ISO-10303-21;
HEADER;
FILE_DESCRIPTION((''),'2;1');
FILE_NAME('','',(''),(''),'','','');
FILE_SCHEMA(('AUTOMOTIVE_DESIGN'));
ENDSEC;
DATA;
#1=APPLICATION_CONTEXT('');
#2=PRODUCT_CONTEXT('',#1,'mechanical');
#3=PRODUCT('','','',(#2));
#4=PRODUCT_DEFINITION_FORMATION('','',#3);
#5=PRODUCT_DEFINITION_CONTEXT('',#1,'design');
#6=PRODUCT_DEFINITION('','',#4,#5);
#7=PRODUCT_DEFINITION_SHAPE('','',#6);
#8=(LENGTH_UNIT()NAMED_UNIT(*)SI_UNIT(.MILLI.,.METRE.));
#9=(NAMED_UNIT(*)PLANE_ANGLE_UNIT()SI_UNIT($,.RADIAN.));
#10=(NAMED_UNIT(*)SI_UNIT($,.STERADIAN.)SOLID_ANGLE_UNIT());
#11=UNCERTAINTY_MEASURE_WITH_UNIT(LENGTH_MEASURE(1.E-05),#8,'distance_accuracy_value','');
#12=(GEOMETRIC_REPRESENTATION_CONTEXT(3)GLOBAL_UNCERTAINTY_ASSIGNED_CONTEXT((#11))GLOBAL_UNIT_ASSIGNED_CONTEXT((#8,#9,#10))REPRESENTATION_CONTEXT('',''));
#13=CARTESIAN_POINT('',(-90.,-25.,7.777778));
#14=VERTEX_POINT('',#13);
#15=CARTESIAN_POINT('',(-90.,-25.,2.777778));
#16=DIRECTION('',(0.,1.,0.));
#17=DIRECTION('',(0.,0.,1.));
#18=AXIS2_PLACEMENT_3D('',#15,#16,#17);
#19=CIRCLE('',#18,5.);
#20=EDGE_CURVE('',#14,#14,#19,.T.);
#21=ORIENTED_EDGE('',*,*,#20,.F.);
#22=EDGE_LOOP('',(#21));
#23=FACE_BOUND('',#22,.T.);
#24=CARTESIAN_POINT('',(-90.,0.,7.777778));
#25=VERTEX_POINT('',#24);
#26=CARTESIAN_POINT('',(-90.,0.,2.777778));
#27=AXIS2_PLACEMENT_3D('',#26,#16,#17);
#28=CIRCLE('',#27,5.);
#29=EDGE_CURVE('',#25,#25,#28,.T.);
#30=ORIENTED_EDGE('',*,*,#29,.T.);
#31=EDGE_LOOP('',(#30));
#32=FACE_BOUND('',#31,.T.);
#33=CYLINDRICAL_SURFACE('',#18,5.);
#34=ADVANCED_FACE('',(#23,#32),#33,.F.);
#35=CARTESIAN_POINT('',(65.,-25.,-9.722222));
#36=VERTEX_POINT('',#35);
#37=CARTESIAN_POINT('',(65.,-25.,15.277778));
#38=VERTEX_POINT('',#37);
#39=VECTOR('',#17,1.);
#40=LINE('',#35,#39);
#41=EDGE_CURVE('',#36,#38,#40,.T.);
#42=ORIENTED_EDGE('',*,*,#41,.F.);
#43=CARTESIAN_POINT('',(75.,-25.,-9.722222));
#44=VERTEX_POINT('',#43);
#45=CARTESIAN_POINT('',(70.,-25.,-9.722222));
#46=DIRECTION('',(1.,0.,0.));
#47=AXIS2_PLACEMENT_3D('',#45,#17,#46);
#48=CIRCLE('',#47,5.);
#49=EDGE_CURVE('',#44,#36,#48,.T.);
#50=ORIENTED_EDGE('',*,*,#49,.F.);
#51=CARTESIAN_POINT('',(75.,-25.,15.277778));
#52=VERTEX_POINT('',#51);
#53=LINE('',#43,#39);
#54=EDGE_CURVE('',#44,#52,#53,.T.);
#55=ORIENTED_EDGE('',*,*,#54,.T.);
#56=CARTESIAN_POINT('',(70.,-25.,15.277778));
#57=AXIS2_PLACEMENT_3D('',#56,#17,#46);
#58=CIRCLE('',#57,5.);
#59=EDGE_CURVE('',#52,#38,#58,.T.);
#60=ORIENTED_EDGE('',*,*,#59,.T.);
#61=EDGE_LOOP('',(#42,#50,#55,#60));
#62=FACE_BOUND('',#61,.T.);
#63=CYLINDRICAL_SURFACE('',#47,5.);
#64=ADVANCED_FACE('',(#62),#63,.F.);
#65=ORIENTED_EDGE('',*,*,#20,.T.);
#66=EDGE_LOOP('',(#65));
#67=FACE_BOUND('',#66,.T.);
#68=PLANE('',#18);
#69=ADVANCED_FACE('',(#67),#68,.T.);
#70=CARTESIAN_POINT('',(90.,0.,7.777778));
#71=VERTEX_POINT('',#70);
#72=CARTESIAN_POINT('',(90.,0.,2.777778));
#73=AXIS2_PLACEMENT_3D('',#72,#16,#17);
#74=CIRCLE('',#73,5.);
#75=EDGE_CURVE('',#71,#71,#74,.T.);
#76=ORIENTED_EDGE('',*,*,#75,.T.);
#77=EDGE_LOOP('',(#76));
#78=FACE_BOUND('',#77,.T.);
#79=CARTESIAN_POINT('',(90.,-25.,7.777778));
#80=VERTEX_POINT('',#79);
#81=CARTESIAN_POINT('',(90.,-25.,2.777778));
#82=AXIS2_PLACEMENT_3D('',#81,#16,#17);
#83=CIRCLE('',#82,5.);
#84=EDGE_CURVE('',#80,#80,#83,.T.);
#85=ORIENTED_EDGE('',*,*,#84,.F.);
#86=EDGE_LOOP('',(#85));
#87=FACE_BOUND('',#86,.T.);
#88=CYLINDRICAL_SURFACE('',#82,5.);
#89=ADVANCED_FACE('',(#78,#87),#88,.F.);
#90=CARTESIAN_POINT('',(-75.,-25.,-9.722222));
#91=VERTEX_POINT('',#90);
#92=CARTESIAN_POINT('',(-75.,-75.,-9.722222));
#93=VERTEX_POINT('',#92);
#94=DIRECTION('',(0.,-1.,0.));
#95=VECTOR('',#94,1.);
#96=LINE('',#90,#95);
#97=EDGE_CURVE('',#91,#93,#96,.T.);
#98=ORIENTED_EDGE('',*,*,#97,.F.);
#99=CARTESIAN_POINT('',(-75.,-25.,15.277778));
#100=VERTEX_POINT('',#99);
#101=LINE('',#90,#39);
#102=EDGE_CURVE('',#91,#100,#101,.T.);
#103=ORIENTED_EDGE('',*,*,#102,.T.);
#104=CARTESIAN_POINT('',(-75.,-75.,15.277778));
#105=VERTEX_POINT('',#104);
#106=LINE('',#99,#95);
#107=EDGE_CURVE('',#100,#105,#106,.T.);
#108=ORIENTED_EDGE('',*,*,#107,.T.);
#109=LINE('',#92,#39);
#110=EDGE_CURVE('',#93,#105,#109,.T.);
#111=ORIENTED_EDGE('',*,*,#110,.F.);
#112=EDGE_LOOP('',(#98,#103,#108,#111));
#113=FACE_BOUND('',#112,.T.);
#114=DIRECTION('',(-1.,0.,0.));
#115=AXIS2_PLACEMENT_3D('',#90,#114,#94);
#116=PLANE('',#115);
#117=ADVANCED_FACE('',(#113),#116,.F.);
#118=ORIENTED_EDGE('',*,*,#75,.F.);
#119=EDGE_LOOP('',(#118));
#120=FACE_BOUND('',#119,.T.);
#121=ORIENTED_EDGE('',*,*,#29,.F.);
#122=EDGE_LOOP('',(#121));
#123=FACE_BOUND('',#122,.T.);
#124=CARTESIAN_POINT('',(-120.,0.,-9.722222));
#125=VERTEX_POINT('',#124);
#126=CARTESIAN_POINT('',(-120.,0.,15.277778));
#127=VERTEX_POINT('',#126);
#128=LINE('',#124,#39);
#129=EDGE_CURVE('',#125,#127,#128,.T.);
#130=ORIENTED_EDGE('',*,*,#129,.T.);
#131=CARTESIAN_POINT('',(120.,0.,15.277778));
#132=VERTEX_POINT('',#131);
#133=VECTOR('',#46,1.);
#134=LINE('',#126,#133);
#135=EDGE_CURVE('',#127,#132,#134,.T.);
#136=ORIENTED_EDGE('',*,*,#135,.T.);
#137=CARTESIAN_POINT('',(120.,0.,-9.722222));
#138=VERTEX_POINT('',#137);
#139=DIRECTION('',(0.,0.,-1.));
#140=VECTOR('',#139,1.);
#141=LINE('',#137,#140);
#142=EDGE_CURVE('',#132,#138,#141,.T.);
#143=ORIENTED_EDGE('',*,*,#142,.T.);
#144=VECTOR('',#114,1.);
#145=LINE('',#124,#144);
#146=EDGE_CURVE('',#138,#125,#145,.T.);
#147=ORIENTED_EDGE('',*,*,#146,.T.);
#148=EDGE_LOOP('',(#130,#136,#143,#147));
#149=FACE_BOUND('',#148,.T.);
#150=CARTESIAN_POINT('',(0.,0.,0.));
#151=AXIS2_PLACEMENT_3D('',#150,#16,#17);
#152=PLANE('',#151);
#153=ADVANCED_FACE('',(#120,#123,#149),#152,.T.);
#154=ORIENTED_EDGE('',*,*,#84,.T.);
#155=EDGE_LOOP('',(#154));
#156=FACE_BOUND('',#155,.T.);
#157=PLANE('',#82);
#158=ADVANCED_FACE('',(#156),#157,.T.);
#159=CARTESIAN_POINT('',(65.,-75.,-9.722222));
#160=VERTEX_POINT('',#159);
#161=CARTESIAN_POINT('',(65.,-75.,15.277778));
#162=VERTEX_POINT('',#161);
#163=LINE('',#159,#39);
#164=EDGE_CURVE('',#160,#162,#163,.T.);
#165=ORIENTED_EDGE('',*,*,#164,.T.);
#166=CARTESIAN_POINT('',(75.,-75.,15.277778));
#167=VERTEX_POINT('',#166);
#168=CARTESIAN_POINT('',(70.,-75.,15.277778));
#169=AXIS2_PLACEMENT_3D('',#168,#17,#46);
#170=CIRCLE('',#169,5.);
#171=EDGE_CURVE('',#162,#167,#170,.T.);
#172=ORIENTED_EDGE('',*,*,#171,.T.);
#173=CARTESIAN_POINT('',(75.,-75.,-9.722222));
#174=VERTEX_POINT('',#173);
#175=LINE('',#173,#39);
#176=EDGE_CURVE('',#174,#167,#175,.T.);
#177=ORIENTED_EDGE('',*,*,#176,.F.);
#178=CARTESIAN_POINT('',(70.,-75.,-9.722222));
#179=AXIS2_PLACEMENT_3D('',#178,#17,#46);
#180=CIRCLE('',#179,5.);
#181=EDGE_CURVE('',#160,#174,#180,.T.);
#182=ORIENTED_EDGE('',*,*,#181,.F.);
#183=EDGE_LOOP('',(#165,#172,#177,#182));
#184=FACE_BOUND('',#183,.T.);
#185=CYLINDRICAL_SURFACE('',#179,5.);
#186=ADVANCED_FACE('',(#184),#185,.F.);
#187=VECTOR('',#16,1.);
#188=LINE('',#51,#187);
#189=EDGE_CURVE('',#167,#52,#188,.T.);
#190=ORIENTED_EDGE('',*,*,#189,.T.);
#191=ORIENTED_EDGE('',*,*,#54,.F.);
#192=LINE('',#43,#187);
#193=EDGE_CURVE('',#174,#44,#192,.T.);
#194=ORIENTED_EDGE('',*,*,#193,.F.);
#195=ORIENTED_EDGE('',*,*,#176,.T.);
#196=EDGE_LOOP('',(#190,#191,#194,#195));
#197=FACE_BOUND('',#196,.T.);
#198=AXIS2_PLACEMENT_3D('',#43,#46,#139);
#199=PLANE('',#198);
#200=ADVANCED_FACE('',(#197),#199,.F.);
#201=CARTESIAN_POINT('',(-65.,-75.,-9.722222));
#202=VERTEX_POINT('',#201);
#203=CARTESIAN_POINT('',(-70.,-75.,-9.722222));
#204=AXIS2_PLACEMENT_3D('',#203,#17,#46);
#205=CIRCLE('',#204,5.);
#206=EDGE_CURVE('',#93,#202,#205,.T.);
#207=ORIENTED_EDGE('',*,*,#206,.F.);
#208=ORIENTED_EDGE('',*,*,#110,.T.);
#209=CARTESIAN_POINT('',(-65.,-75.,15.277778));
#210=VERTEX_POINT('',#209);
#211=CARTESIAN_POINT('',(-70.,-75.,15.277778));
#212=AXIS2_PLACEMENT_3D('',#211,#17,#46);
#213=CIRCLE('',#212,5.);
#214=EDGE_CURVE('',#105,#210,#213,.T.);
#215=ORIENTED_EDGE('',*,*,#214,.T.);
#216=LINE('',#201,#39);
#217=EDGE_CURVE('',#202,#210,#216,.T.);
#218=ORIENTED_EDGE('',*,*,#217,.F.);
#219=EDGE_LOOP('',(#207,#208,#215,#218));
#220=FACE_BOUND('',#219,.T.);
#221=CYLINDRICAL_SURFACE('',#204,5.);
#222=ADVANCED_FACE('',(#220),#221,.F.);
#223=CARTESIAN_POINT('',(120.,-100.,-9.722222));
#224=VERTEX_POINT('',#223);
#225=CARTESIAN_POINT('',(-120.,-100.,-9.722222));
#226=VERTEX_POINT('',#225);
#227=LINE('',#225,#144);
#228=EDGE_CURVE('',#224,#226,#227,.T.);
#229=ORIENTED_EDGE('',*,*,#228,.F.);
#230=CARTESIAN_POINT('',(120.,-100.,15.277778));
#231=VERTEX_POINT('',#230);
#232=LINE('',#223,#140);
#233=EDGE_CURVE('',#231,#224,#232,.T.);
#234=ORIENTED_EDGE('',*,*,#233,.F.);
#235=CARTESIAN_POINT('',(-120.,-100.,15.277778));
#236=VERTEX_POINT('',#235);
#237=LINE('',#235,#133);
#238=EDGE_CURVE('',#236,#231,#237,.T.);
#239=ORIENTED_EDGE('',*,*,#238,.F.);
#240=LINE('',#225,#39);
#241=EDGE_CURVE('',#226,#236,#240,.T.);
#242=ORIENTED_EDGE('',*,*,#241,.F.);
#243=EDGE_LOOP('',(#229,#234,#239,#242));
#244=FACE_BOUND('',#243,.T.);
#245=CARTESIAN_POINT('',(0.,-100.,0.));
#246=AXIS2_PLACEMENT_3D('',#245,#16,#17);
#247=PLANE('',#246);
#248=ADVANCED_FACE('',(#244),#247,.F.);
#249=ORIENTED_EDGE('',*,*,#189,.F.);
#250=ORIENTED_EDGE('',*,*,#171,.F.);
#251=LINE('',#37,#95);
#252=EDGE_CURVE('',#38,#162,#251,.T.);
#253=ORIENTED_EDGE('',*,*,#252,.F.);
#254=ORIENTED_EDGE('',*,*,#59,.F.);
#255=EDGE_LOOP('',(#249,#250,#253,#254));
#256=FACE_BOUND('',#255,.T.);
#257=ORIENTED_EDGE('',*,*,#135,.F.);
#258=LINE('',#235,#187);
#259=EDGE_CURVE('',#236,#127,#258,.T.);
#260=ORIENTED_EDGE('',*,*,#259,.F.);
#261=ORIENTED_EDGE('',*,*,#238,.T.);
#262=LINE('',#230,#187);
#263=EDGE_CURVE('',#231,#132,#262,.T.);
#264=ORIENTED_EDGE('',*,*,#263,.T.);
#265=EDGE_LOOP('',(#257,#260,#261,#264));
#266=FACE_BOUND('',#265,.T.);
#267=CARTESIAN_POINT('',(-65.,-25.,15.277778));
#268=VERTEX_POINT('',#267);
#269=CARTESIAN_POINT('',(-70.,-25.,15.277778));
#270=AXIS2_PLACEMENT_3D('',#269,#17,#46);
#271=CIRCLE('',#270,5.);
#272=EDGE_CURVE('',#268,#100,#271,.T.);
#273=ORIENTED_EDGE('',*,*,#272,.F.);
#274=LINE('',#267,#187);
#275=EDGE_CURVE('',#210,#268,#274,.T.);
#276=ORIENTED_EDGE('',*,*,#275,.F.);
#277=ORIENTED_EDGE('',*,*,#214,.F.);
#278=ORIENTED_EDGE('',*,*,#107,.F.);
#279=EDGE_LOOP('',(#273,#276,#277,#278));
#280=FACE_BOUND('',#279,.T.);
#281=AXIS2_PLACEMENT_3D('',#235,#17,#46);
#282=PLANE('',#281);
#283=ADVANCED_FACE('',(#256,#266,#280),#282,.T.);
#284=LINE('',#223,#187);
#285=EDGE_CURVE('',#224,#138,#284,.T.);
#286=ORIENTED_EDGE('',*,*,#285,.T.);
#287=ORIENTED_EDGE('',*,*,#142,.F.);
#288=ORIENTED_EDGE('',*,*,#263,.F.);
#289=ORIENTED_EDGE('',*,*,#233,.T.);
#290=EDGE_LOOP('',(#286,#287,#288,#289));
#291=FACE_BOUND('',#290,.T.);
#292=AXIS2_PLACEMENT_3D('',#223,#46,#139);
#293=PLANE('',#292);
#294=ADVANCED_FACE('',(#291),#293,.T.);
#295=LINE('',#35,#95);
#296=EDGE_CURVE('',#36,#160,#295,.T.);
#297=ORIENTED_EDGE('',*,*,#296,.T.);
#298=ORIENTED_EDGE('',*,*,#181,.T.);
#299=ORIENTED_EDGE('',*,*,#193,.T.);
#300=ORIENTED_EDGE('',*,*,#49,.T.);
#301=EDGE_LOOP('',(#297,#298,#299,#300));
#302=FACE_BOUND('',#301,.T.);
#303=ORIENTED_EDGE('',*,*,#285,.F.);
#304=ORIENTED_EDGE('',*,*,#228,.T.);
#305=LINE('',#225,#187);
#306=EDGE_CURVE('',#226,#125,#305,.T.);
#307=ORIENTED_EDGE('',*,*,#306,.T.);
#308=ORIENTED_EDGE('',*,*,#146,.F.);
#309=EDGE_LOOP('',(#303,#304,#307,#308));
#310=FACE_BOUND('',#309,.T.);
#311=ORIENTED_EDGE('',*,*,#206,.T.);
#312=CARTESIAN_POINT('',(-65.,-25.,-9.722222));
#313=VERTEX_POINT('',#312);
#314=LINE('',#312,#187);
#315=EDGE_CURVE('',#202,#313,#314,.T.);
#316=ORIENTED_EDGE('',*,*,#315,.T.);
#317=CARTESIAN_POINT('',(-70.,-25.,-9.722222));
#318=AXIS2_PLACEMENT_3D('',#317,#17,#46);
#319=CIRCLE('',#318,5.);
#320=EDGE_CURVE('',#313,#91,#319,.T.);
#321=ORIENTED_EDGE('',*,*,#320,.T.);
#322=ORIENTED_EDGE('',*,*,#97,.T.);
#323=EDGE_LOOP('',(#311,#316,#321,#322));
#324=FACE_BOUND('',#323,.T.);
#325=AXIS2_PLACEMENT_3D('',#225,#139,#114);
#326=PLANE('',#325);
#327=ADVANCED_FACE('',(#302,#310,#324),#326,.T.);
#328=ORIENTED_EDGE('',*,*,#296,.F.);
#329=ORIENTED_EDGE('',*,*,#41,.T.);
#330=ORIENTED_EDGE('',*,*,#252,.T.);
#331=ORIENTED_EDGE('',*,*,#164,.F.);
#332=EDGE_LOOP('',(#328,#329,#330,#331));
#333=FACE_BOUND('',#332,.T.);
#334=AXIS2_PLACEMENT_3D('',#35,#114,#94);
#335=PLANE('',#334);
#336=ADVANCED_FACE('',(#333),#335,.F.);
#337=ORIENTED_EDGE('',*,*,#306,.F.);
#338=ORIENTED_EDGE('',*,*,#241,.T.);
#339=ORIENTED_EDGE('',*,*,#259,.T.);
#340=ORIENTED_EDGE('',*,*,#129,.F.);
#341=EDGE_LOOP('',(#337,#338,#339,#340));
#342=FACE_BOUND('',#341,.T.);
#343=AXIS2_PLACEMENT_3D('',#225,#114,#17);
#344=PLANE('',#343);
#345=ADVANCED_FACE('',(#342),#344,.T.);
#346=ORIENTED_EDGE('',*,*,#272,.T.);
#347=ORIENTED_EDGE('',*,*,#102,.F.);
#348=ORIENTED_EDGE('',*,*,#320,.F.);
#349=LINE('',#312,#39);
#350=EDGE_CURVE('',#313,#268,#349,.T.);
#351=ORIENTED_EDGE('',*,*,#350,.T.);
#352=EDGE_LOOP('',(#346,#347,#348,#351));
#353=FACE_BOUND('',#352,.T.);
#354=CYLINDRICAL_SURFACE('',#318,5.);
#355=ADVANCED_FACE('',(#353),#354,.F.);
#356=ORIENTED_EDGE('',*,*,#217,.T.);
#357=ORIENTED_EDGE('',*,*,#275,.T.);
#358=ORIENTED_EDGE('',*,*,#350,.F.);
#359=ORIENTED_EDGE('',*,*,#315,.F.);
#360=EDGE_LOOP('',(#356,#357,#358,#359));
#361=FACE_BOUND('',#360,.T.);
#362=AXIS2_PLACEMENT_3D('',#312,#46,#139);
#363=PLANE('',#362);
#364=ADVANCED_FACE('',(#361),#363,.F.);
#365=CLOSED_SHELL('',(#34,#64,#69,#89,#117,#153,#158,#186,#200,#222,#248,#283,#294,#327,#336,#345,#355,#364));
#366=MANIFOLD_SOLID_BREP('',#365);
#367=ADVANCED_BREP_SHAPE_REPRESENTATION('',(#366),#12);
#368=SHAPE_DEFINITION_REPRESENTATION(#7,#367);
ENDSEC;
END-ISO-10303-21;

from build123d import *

# Parameters (mm, degrees)
CROQUIS1_W              = 240
CROQUIS1_H              = 25
SALIENTE_EXTRUIR1_DEPTH = 100
CROQUIS3_R              = 5
CORTAR_EXTRUIR1_DEPTH   = 25
CORTAR_EXTRUIR2_DEPTH   = 25


with BuildPart() as part:
    # Croquis1 → Saliente-Extruir1 (new body)
    with BuildSketch(Plane(origin=(0, 0, 0), x_dir=(1, 0, 0), z_dir=(0, 1, 0))):
        with Locations((0, -2.777777778)):
            Rectangle(CROQUIS1_W, CROQUIS1_H)
    extrude(amount=-SALIENTE_EXTRUIR1_DEPTH)

    # Croquis3 → Cortar-Extruir1 (cut)
    with BuildSketch(Plane(origin=(0, 0, 0), x_dir=(1, 0, 0), z_dir=(0, 1, 0))):
        with Locations((-90, -2.777777778)):
            Circle(CROQUIS3_R)
        with Locations((90, -2.777777778)):
            Circle(CROQUIS3_R)
    extrude(amount=-CORTAR_EXTRUIR1_DEPTH, mode=Mode.SUBTRACT)

    # Croquis4 → Cortar-Extruir2 (cut)
    with BuildSketch(Plane.XY.offset(15.277777778)):
        with BuildLine():
            Line((-75, -25), (-75, -75))
            ThreePointArc((-75, -75), (-70, -80), (-65, -75))
            Line((-65, -75), (-65, -25))
            ThreePointArc((-65, -25), (-70, -20), (-75, -25))
        make_face()
        with BuildLine():
            Line((65, -25), (65, -75))
            ThreePointArc((65, -75), (70, -80), (75, -75))
            Line((75, -75), (75, -25))
            ThreePointArc((75, -25), (70, -20), (65, -25))
        make_face()
    extrude(amount=-CORTAR_EXTRUIR2_DEPTH, mode=Mode.SUBTRACT)


solid = part.part
